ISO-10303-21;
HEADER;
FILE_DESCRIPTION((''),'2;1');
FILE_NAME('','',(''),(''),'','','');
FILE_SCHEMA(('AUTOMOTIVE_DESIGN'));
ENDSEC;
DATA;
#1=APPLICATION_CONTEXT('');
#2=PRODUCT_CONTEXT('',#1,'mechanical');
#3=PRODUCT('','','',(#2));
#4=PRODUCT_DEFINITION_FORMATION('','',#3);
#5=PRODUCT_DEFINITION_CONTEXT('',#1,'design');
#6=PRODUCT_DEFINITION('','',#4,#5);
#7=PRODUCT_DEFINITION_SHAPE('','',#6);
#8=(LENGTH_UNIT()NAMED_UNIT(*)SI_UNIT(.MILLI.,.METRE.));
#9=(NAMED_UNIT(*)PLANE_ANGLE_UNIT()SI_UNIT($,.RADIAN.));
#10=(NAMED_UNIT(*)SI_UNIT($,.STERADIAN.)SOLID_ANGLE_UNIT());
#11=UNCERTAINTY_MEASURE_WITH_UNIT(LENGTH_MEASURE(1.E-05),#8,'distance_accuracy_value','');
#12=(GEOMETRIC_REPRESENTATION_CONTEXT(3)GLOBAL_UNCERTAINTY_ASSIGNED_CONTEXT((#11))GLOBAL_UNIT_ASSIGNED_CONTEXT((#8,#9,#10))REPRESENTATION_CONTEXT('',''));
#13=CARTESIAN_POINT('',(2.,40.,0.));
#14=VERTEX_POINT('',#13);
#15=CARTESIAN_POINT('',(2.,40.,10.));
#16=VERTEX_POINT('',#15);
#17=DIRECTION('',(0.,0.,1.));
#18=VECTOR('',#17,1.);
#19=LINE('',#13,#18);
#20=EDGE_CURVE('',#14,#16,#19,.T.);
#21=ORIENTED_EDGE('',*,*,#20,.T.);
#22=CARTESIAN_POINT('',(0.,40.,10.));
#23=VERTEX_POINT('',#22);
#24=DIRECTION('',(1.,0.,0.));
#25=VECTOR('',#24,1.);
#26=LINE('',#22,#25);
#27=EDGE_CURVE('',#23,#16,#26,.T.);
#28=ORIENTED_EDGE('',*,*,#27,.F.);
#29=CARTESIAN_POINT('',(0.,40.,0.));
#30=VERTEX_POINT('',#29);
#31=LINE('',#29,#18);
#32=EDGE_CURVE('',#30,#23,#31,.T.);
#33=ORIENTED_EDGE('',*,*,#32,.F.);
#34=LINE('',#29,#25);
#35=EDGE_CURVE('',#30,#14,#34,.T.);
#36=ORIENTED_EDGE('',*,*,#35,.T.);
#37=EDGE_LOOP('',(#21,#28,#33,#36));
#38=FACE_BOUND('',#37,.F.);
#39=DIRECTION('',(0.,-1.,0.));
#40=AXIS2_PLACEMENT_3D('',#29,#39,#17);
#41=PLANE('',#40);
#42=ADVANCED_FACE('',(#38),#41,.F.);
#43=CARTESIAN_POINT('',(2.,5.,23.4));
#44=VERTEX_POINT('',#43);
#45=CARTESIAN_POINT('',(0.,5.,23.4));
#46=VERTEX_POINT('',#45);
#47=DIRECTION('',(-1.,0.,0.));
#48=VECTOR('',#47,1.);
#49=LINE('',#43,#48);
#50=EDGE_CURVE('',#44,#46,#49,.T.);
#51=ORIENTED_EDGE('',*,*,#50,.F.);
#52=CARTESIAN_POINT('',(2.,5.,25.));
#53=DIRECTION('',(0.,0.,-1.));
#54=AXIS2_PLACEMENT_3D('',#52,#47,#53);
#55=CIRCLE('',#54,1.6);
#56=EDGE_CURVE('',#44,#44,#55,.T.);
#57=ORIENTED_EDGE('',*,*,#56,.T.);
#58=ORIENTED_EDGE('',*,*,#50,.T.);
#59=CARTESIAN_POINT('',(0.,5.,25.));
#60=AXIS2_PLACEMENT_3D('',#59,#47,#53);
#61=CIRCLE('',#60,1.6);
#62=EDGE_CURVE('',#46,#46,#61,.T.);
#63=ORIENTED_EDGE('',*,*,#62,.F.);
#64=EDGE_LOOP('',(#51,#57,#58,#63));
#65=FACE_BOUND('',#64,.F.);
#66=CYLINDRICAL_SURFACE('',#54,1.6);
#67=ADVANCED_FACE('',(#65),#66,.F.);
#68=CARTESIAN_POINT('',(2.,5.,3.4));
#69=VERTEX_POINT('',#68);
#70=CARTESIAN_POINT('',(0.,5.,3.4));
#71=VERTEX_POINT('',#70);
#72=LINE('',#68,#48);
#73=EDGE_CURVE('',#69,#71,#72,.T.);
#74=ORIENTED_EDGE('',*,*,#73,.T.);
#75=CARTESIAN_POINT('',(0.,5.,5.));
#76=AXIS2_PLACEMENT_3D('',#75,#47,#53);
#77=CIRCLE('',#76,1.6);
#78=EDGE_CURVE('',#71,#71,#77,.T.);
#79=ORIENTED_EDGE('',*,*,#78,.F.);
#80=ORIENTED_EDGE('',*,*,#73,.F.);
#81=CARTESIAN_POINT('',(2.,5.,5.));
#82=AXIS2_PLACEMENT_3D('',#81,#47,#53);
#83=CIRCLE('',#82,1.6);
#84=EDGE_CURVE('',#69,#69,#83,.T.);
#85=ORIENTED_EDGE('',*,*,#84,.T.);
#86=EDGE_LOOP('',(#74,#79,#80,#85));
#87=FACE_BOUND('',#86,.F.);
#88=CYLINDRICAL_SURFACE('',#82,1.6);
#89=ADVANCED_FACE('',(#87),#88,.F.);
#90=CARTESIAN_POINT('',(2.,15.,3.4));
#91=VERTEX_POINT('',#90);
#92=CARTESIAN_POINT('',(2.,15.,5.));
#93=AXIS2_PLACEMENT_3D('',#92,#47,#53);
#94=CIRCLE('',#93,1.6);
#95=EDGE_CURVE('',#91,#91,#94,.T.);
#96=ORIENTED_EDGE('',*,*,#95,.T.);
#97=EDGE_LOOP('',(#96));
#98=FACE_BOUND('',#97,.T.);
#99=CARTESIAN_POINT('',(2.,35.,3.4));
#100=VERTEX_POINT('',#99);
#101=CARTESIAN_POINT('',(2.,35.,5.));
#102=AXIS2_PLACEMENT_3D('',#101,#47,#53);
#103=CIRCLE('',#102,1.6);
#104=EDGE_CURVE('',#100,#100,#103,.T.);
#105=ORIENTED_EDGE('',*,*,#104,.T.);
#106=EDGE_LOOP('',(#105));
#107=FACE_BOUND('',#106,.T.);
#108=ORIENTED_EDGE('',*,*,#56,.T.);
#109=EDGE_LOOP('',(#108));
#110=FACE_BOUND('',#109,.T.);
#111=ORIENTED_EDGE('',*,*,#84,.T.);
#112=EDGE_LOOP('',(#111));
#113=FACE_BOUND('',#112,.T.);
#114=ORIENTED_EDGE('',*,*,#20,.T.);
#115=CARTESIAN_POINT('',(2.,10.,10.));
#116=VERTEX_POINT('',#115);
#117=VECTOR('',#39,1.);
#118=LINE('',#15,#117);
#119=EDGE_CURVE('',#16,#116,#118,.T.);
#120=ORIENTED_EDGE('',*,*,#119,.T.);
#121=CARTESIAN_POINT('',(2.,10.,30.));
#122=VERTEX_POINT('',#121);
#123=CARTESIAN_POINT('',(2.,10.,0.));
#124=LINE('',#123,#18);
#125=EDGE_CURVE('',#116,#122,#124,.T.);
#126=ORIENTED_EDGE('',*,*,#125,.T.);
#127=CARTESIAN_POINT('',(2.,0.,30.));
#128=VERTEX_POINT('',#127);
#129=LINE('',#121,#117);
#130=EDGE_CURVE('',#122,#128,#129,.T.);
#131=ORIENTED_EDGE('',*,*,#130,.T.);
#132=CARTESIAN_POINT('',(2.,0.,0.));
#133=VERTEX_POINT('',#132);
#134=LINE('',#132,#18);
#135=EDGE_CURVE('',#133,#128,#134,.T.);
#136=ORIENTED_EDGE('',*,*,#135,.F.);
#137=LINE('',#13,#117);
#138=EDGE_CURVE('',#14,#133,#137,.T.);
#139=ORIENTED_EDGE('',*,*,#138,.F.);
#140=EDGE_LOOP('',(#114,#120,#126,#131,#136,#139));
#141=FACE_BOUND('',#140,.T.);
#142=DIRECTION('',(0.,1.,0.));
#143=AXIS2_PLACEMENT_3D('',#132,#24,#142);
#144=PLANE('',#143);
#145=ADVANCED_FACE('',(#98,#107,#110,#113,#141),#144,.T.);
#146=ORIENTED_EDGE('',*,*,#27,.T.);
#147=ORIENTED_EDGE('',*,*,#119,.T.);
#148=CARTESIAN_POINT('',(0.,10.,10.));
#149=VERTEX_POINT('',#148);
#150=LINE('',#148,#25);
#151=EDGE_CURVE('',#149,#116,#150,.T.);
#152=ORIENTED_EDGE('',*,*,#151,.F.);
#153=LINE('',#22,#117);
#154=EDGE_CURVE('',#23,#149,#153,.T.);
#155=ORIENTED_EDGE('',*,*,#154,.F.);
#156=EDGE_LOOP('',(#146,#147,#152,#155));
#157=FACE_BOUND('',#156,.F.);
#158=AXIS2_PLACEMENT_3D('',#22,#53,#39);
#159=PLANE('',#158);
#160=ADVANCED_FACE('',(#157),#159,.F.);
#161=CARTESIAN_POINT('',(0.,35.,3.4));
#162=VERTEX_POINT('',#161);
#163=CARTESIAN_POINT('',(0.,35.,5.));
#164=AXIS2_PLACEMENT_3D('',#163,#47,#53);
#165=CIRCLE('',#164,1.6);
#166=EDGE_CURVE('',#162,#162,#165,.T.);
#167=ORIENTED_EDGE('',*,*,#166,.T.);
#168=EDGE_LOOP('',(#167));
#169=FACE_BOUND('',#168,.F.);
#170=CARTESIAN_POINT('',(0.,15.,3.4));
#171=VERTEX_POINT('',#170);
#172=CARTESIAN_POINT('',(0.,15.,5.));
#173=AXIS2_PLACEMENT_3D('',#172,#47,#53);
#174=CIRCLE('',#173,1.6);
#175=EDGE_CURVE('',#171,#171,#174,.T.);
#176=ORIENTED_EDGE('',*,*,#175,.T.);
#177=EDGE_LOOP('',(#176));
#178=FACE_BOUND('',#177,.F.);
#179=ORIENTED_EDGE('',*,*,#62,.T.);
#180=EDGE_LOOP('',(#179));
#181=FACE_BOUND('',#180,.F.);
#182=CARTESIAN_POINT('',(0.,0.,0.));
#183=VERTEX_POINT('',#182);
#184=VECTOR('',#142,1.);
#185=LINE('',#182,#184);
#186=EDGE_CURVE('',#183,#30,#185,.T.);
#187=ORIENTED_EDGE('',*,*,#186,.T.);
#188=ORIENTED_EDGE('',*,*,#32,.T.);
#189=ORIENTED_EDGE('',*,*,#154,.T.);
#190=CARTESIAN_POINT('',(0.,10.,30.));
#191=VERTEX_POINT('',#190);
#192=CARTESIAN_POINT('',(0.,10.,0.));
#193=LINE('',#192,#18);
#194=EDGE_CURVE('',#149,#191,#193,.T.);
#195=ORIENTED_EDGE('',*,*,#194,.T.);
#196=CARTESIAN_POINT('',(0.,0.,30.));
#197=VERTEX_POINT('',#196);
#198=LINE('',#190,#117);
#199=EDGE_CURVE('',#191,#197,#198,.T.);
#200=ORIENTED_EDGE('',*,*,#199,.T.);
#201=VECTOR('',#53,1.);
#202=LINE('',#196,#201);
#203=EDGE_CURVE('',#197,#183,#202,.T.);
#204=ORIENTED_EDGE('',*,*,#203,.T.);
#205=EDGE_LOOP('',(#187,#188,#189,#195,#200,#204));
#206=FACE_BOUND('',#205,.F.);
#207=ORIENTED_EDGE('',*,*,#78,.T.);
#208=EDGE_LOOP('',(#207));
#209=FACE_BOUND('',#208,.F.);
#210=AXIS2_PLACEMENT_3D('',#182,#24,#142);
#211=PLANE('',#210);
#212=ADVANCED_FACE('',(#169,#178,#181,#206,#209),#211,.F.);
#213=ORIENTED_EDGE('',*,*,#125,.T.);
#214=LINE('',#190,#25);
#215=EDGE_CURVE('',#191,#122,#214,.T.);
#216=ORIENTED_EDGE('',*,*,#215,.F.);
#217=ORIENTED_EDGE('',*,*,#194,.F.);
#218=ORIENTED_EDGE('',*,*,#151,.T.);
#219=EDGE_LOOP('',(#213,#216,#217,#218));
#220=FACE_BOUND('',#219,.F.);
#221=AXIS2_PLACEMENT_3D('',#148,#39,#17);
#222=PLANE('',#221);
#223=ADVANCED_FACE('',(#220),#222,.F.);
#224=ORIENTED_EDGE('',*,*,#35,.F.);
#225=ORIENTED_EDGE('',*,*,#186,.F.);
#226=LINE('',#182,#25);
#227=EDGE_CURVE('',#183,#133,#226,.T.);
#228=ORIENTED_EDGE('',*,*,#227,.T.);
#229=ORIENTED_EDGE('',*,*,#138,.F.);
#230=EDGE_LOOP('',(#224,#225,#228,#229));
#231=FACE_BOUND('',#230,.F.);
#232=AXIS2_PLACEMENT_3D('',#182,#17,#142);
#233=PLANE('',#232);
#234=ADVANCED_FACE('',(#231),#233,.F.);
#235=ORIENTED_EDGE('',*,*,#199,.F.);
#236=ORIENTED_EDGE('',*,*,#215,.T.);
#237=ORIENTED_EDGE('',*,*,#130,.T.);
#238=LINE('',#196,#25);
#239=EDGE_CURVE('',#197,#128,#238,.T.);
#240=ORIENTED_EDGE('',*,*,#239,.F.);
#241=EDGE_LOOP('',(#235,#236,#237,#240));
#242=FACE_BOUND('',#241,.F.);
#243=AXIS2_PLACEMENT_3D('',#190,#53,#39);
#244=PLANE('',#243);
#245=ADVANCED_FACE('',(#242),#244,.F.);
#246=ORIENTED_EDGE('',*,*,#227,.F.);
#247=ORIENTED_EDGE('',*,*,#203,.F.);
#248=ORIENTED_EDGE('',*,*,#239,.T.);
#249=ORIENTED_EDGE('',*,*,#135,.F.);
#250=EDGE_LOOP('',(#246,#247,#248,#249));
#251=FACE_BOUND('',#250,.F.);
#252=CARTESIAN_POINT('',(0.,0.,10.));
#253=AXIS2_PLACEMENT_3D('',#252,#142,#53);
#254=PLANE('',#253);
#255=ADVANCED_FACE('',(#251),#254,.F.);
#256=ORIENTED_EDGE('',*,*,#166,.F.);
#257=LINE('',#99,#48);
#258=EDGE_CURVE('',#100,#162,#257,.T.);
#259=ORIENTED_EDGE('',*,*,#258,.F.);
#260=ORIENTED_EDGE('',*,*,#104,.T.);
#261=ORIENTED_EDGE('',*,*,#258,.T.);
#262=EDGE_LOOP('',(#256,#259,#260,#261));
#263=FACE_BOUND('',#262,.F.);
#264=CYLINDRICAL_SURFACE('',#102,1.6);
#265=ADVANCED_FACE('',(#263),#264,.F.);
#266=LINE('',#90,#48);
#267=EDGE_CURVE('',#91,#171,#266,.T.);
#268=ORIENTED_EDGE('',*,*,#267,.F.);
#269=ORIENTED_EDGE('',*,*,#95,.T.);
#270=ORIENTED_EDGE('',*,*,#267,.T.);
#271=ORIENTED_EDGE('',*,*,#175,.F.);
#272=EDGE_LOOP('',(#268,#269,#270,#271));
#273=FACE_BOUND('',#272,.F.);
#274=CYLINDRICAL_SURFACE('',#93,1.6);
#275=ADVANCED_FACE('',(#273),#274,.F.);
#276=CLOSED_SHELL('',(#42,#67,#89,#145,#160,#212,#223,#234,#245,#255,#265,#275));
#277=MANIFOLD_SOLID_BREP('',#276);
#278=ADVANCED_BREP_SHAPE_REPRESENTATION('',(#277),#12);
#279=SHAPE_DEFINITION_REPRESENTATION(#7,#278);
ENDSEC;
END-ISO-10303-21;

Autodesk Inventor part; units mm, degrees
ref_plane "YZ Plane" through (0, 0, 0) normal (1, 0, 0) x (0, 1, 0)
ref_plane "XZ Plane" through (0, 0, 0) normal (0, 1, 0) x (-1, 0, 0)
ref_plane "XY Plane" through (0, 0, 0) normal (0, 0, 1) x (1, 0, 0)
sketch "スケッチ1" plane through (0, 0, 0) normal (1, 0, 0) x (0, 1, 0)
  line L0 (0, 0) -> (40, 0)
  line L1 (40, 0) -> (40, 10)
  line L2 (40, 10) -> (0, 10)
  line L3 (0, 10) -> (0, 0)
  line L4 (0, 0) -> (10, 0)
  line L5 (10, 0) -> (10, 30)
  line L6 (10, 30) -> (0, 30)
  line L7 (0, 30) -> (0, 0)
  point P0 (10, 10)
  dimension "d0" = 10
  dimension "d1" = 10
  dimension "d2" = 30
  dimension "d3" = 30
extrude "押し出し1" add sketch "スケッチ1" along normal blind 2
sketch "スケッチ2" plane through (2, 0, 0) normal (1, 0, 0) x (0, 0, -1)
  line L0 (-30, 10) -> (-30, 0) projected
  line L1 (-30, 5) -> (0, 5) construction
  line L2 (0, 0) -> (0, 40) projected
  line L3 (0, 40) -> (-10, 40) projected
  line L4 (-5, 40) -> (-5, 0) construction
  line L5 (-30, 0) -> (0, 0) projected
  point P0 (-25, 5)
  point P1 (-5, 5)
  point P2 (-5, 15)
  point P3 (-5, 35)
  dimension "d6" = 20
  dimension "d7" = 5
  dimension "d8" = 20
  dimension "d9" = 5
hole "穴1" at (2, 5, 25) at (2, 5, 5) at (2, 15, 5) at (2, 35, 5) direction (-1, 0, 0) diameter 3.2 end through all
properties part number "FrameJointL1010" material "アルミニウム 6061"
